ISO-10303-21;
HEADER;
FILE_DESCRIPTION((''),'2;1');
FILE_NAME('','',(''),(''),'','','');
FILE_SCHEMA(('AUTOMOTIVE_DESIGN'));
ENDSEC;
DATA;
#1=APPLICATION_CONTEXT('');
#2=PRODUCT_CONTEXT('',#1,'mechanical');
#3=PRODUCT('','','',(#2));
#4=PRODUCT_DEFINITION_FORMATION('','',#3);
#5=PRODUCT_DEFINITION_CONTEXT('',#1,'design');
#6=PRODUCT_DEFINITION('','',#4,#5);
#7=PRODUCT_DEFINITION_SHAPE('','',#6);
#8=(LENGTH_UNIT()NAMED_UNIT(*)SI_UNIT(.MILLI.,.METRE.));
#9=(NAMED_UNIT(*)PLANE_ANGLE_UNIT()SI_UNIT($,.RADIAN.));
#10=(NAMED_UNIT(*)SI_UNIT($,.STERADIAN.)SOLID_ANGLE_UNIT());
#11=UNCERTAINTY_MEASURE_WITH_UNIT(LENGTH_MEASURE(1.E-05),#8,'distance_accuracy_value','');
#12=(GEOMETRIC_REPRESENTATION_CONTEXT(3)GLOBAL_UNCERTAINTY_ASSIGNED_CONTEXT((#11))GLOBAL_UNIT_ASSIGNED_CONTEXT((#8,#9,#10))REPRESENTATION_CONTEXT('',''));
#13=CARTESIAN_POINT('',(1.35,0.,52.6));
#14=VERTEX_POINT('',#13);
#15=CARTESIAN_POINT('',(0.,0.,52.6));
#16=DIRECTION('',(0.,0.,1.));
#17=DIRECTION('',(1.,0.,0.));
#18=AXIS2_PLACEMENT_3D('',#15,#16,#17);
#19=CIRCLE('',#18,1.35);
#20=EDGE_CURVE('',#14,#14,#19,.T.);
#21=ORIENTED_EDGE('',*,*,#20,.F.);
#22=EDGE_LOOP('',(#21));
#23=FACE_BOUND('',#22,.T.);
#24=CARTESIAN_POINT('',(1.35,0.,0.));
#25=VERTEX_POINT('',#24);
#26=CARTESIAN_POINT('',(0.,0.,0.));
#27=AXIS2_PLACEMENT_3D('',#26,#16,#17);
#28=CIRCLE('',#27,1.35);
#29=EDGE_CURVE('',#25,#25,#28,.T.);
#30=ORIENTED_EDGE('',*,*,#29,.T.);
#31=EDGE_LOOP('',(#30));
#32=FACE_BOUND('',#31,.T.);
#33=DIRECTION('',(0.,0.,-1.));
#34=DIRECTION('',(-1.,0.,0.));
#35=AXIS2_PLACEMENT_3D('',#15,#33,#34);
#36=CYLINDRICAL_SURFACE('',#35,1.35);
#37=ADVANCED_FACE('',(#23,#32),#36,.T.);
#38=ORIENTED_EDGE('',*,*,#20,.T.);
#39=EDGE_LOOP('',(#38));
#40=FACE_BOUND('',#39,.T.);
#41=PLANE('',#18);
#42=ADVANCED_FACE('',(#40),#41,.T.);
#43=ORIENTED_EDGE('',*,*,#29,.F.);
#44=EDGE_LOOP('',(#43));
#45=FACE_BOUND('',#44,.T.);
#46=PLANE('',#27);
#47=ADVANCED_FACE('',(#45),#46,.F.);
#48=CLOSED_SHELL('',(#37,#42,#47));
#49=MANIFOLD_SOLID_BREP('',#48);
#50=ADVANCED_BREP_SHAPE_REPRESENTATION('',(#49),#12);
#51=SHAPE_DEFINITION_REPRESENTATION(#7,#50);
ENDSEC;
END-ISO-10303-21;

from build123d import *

# Parameters (mm, degrees)
ESBO_O1_R                = 1.35
RESSALTO_EXTRUS_O1_DEPTH = 52.6


with BuildPart() as part:
    # Esboço1 → Ressalto-extrusão1 (new body)
    with BuildSketch(Plane.XY):
        Circle(ESBO_O1_R)
    extrude(amount=RESSALTO_EXTRUS_O1_DEPTH)


solid = part.part
